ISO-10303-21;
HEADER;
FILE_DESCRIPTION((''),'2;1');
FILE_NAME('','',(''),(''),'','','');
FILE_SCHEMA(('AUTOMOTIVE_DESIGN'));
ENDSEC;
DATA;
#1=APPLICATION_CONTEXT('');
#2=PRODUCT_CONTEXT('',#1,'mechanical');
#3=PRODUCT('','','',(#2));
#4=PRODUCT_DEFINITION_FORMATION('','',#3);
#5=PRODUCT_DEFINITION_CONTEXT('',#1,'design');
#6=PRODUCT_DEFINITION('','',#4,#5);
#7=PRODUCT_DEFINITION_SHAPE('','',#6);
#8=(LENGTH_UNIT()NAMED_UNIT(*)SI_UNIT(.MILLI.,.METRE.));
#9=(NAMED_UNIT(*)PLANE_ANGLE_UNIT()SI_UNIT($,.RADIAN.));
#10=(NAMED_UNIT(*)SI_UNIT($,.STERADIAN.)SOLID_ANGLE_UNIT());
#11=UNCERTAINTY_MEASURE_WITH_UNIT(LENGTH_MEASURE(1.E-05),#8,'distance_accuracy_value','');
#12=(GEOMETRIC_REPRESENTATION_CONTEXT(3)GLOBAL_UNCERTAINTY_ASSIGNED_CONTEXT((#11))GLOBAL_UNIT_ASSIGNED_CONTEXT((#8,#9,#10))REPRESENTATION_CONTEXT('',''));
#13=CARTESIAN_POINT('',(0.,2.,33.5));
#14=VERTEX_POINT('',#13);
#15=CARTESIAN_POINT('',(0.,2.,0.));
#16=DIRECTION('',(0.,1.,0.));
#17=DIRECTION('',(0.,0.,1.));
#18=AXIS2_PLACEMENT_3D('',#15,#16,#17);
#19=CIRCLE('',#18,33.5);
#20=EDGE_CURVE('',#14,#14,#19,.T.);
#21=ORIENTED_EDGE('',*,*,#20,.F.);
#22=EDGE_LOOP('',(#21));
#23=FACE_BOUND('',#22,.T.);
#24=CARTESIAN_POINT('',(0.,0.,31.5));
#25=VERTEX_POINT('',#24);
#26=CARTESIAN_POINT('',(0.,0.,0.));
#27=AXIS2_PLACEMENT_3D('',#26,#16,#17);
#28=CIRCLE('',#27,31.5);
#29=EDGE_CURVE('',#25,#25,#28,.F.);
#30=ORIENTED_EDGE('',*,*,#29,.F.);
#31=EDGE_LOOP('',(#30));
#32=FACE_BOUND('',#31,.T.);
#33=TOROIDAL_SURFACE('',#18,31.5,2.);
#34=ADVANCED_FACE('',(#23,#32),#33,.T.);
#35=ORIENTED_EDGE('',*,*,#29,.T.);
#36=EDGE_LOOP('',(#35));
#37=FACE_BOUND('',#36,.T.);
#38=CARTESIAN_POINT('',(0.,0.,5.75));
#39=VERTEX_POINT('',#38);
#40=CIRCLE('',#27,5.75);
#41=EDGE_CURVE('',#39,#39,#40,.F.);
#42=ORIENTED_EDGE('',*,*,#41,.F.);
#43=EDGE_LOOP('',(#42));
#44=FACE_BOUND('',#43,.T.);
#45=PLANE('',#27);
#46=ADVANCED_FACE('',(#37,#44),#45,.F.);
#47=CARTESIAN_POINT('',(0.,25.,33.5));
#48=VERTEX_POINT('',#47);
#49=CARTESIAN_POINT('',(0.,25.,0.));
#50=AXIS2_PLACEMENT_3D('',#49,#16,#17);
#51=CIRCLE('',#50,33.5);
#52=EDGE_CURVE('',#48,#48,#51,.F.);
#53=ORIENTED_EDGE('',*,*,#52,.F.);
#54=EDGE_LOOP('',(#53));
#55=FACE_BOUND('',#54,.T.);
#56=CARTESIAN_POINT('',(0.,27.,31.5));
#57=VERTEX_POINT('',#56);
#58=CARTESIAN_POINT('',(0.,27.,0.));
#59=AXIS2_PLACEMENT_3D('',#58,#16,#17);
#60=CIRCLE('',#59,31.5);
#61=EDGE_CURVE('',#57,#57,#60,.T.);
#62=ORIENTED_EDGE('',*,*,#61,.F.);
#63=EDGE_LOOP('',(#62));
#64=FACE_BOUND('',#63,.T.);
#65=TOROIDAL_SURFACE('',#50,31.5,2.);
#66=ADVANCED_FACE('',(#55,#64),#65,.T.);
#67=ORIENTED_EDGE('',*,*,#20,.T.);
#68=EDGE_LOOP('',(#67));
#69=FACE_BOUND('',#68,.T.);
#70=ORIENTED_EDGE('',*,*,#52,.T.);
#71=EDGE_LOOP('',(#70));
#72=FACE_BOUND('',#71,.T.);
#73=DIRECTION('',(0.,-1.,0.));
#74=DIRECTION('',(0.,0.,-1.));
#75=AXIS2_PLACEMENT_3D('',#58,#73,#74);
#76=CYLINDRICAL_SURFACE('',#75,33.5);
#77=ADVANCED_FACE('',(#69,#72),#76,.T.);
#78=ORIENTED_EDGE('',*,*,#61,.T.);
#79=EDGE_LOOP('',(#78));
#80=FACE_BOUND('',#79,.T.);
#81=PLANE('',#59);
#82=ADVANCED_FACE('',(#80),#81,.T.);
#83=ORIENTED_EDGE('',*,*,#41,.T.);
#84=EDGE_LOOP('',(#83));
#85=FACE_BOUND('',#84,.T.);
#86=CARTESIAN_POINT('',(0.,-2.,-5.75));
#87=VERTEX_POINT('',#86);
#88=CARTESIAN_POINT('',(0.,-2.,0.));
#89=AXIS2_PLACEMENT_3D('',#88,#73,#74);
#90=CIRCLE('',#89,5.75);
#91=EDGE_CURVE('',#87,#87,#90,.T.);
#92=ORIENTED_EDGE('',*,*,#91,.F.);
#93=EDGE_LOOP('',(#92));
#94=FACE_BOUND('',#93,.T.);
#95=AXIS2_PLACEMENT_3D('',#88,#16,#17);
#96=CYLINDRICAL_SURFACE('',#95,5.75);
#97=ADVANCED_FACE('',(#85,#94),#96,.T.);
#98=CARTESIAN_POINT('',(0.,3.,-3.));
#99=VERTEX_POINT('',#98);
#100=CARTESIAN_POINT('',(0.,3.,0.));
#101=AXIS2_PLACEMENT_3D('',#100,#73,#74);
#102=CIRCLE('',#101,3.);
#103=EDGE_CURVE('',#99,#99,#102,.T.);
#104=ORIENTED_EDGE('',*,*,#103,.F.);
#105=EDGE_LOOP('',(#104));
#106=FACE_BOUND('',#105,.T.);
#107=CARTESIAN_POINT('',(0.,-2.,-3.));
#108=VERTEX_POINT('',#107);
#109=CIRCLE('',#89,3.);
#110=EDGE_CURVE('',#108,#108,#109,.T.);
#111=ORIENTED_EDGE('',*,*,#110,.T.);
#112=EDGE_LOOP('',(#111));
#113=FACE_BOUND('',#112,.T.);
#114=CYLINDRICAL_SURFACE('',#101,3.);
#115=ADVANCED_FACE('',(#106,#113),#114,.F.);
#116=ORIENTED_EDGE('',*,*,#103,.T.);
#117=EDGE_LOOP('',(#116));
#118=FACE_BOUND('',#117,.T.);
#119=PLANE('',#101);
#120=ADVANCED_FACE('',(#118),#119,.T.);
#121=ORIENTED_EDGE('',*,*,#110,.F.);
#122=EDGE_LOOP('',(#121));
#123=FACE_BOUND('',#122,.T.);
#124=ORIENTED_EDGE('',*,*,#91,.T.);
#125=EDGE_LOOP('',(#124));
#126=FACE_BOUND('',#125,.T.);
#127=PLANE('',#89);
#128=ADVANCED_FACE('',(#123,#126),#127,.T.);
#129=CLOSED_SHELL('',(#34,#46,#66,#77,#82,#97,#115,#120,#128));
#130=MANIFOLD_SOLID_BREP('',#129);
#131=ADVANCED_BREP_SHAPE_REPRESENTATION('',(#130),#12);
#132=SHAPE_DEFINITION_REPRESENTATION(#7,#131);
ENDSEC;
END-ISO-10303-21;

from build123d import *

# Parameters (mm, degrees)
ESBO_O1_R                = 33.5
RESSALTO_EXTRUS_O1_DEPTH = 27
FILETE1_R                = 2
ESBO_O2_R                = 5.75
RESSALTO_EXTRUS_O2_DEPTH = 2
ESBO_O3_R                = 3
CORTE_EXTRUS_O1_DEPTH    = 5


with BuildPart() as part:
    # Esboço1 → Ressalto-extrusão1 (new body)
    with BuildSketch(Plane(origin=(0, 0, 0), x_dir=(1, 0, 0), z_dir=(0, 1, 0))):
        with Locations(Location((0, 0, 0), (0, 0, 270))):
            Circle(ESBO_O1_R)
    extrude(amount=RESSALTO_EXTRUS_O1_DEPTH)

    # Filete1
    filete1_edges = [part.edges().sort_by_distance(p)[0] for p in [
        (0, 0, -33.5),
        (0, 27, -33.5),
    ]]
    fillet(filete1_edges, radius=FILETE1_R)

    # Esboço2 → Ressalto-extrusão2 (add)
    with BuildSketch(Plane(origin=(0, 0, 0), x_dir=(-1, 0, 0), z_dir=(0, -1, 0))):
        with Locations(Location((0, 0, 0), (0, 0, 270))):
            Circle(ESBO_O2_R)
    extrude(amount=RESSALTO_EXTRUS_O2_DEPTH)

    # Esboço3 → Corte-extrusão1 (cut)
    with BuildSketch(Plane.XZ.offset(2)):
        with Locations(Location((0, 0, 0), (0, 0, 270))):
            Circle(ESBO_O3_R)
    extrude(amount=-CORTE_EXTRUS_O1_DEPTH, mode=Mode.SUBTRACT)


solid = part.part
